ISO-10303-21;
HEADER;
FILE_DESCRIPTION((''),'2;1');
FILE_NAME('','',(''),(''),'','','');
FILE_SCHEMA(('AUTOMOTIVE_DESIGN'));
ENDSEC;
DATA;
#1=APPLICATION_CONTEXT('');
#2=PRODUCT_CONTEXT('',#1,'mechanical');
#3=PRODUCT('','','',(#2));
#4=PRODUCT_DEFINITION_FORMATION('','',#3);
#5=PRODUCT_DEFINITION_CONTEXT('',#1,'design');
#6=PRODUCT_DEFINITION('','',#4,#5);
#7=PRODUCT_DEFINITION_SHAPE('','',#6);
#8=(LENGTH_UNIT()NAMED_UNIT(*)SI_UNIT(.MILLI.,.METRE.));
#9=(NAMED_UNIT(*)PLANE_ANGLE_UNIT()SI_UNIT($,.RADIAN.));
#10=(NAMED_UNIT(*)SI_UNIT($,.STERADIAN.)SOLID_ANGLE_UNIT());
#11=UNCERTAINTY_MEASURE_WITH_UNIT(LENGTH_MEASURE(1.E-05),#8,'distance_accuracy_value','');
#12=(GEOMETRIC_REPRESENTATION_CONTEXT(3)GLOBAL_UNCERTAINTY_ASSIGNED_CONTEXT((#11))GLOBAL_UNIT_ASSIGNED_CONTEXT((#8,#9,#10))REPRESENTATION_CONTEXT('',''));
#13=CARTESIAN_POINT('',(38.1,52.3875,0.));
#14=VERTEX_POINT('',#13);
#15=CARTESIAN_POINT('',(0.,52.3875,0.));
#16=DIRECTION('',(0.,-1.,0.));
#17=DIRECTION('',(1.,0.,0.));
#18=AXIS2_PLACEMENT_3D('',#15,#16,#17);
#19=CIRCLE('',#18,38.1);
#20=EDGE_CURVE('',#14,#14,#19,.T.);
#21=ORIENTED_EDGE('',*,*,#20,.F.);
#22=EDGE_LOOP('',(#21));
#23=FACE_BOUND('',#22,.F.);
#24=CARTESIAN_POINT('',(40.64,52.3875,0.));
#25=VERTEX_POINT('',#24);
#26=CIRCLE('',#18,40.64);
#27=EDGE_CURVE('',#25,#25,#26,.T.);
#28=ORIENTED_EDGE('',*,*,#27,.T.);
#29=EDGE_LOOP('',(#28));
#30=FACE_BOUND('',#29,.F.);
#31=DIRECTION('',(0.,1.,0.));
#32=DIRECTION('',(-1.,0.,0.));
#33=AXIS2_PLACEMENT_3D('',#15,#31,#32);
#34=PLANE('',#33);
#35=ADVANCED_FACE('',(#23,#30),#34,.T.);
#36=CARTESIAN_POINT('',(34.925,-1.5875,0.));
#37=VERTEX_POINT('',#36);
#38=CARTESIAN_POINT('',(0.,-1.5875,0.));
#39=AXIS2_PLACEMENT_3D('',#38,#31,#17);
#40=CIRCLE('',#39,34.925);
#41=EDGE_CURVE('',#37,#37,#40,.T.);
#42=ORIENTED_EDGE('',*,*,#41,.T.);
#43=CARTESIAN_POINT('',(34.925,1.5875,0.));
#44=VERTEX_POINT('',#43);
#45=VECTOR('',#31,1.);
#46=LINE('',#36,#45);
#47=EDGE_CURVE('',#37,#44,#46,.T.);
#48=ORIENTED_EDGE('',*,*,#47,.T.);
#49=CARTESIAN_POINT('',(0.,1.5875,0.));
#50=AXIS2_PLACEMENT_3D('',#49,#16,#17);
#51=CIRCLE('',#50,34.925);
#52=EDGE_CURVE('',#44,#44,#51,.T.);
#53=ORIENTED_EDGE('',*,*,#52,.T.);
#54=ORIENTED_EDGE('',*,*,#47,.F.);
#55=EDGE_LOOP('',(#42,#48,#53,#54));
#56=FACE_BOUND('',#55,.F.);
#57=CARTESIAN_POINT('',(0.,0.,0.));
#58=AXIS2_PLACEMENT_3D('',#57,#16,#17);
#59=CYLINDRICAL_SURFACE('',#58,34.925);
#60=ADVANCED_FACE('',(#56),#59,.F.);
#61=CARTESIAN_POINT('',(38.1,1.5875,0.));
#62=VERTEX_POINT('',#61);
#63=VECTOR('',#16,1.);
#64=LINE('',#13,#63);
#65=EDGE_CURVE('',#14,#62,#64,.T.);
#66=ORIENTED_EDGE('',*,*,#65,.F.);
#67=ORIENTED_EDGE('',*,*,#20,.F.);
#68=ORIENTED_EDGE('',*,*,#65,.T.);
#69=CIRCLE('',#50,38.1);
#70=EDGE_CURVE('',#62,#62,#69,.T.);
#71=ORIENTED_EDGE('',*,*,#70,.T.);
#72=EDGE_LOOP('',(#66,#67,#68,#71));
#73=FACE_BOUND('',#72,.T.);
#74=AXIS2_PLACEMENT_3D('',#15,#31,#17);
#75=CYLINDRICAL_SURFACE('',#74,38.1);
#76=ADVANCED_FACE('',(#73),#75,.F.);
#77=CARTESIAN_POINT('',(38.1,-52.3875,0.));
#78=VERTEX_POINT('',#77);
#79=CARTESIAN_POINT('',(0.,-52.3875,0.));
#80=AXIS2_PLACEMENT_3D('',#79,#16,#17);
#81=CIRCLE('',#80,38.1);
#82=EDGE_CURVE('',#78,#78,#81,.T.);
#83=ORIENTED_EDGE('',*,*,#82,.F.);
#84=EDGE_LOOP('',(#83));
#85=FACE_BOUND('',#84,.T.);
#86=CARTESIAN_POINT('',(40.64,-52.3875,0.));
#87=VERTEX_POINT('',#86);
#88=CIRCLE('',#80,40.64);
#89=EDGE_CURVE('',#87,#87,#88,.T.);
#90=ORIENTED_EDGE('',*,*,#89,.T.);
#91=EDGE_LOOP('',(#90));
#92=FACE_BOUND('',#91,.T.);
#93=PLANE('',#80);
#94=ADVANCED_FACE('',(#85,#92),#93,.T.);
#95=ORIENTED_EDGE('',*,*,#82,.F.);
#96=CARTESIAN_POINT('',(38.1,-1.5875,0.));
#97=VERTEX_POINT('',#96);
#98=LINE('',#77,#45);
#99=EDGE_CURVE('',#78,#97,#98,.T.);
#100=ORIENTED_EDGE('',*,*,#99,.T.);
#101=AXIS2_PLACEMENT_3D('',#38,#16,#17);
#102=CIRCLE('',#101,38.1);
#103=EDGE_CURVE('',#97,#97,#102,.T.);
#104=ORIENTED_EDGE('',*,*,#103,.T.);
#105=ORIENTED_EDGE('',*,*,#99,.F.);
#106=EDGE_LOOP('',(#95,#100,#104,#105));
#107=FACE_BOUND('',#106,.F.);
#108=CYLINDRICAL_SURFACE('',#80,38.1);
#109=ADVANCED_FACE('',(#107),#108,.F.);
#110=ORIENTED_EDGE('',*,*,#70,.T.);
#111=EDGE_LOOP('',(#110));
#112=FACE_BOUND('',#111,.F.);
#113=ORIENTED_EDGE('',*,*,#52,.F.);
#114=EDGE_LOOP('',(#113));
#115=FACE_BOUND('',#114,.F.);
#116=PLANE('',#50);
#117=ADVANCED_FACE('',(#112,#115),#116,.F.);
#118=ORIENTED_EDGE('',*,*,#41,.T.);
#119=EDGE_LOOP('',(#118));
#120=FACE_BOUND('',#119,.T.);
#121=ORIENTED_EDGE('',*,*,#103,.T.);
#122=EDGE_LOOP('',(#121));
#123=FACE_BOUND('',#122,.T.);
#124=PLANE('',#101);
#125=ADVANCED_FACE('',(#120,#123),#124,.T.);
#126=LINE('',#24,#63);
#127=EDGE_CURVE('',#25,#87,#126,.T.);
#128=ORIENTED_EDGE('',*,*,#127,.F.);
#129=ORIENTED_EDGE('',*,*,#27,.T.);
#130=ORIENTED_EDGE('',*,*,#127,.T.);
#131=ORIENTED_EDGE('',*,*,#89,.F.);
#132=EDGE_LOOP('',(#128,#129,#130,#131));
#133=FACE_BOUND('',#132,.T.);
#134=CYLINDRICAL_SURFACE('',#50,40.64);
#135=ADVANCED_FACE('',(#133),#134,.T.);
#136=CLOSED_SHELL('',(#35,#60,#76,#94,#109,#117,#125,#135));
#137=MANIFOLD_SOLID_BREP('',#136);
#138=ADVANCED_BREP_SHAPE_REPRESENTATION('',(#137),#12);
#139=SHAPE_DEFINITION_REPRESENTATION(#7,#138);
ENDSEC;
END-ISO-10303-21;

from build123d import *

# Parameters (mm, degrees)
F0_R          = 40.64
F1_DEPTH      = 1.5875
F2_R          = 34.925
F3_DEPTH      = 1.5885
F3_DEPTH_BACK = 1.5885
F5_R          = 40.64
F6_DEPTH      = 50.8
F7_R          = 38.1
F8_DEPTH      = 50.8


with BuildPart() as f1:
    # F0 (on Front) → F1 (new body, symmetric)
    with BuildSketch(Plane.XZ):
        Circle(F0_R)
    extrude(amount=F1_DEPTH, both=True)

    # F2 (on Front) → F3 (cut, two sides)
    with BuildSketch(Plane.XZ) as f3_sk:
        Circle(F2_R)
    extrude(amount=F3_DEPTH, mode=Mode.SUBTRACT)
    extrude(f3_sk.sketch, amount=-F3_DEPTH_BACK, mode=Mode.SUBTRACT)

    # F5 (on offset) → F6 (join)
    with BuildSketch(Plane.XZ.offset(1.5875)):
        Circle(F5_R)
    extrude(amount=F6_DEPTH)

    # F7 (on face) → F8 (cut)
    with BuildSketch(Plane.XZ.offset(52.3875)):
        Circle(F7_R)
    extrude(amount=-F8_DEPTH, mode=Mode.SUBTRACT)

    # F9: F1 across plane


with BuildPart() as f1_1:
    add(f1.part)
    add(f1.part.mirror(Plane.XZ))


solid = f1_1.part
